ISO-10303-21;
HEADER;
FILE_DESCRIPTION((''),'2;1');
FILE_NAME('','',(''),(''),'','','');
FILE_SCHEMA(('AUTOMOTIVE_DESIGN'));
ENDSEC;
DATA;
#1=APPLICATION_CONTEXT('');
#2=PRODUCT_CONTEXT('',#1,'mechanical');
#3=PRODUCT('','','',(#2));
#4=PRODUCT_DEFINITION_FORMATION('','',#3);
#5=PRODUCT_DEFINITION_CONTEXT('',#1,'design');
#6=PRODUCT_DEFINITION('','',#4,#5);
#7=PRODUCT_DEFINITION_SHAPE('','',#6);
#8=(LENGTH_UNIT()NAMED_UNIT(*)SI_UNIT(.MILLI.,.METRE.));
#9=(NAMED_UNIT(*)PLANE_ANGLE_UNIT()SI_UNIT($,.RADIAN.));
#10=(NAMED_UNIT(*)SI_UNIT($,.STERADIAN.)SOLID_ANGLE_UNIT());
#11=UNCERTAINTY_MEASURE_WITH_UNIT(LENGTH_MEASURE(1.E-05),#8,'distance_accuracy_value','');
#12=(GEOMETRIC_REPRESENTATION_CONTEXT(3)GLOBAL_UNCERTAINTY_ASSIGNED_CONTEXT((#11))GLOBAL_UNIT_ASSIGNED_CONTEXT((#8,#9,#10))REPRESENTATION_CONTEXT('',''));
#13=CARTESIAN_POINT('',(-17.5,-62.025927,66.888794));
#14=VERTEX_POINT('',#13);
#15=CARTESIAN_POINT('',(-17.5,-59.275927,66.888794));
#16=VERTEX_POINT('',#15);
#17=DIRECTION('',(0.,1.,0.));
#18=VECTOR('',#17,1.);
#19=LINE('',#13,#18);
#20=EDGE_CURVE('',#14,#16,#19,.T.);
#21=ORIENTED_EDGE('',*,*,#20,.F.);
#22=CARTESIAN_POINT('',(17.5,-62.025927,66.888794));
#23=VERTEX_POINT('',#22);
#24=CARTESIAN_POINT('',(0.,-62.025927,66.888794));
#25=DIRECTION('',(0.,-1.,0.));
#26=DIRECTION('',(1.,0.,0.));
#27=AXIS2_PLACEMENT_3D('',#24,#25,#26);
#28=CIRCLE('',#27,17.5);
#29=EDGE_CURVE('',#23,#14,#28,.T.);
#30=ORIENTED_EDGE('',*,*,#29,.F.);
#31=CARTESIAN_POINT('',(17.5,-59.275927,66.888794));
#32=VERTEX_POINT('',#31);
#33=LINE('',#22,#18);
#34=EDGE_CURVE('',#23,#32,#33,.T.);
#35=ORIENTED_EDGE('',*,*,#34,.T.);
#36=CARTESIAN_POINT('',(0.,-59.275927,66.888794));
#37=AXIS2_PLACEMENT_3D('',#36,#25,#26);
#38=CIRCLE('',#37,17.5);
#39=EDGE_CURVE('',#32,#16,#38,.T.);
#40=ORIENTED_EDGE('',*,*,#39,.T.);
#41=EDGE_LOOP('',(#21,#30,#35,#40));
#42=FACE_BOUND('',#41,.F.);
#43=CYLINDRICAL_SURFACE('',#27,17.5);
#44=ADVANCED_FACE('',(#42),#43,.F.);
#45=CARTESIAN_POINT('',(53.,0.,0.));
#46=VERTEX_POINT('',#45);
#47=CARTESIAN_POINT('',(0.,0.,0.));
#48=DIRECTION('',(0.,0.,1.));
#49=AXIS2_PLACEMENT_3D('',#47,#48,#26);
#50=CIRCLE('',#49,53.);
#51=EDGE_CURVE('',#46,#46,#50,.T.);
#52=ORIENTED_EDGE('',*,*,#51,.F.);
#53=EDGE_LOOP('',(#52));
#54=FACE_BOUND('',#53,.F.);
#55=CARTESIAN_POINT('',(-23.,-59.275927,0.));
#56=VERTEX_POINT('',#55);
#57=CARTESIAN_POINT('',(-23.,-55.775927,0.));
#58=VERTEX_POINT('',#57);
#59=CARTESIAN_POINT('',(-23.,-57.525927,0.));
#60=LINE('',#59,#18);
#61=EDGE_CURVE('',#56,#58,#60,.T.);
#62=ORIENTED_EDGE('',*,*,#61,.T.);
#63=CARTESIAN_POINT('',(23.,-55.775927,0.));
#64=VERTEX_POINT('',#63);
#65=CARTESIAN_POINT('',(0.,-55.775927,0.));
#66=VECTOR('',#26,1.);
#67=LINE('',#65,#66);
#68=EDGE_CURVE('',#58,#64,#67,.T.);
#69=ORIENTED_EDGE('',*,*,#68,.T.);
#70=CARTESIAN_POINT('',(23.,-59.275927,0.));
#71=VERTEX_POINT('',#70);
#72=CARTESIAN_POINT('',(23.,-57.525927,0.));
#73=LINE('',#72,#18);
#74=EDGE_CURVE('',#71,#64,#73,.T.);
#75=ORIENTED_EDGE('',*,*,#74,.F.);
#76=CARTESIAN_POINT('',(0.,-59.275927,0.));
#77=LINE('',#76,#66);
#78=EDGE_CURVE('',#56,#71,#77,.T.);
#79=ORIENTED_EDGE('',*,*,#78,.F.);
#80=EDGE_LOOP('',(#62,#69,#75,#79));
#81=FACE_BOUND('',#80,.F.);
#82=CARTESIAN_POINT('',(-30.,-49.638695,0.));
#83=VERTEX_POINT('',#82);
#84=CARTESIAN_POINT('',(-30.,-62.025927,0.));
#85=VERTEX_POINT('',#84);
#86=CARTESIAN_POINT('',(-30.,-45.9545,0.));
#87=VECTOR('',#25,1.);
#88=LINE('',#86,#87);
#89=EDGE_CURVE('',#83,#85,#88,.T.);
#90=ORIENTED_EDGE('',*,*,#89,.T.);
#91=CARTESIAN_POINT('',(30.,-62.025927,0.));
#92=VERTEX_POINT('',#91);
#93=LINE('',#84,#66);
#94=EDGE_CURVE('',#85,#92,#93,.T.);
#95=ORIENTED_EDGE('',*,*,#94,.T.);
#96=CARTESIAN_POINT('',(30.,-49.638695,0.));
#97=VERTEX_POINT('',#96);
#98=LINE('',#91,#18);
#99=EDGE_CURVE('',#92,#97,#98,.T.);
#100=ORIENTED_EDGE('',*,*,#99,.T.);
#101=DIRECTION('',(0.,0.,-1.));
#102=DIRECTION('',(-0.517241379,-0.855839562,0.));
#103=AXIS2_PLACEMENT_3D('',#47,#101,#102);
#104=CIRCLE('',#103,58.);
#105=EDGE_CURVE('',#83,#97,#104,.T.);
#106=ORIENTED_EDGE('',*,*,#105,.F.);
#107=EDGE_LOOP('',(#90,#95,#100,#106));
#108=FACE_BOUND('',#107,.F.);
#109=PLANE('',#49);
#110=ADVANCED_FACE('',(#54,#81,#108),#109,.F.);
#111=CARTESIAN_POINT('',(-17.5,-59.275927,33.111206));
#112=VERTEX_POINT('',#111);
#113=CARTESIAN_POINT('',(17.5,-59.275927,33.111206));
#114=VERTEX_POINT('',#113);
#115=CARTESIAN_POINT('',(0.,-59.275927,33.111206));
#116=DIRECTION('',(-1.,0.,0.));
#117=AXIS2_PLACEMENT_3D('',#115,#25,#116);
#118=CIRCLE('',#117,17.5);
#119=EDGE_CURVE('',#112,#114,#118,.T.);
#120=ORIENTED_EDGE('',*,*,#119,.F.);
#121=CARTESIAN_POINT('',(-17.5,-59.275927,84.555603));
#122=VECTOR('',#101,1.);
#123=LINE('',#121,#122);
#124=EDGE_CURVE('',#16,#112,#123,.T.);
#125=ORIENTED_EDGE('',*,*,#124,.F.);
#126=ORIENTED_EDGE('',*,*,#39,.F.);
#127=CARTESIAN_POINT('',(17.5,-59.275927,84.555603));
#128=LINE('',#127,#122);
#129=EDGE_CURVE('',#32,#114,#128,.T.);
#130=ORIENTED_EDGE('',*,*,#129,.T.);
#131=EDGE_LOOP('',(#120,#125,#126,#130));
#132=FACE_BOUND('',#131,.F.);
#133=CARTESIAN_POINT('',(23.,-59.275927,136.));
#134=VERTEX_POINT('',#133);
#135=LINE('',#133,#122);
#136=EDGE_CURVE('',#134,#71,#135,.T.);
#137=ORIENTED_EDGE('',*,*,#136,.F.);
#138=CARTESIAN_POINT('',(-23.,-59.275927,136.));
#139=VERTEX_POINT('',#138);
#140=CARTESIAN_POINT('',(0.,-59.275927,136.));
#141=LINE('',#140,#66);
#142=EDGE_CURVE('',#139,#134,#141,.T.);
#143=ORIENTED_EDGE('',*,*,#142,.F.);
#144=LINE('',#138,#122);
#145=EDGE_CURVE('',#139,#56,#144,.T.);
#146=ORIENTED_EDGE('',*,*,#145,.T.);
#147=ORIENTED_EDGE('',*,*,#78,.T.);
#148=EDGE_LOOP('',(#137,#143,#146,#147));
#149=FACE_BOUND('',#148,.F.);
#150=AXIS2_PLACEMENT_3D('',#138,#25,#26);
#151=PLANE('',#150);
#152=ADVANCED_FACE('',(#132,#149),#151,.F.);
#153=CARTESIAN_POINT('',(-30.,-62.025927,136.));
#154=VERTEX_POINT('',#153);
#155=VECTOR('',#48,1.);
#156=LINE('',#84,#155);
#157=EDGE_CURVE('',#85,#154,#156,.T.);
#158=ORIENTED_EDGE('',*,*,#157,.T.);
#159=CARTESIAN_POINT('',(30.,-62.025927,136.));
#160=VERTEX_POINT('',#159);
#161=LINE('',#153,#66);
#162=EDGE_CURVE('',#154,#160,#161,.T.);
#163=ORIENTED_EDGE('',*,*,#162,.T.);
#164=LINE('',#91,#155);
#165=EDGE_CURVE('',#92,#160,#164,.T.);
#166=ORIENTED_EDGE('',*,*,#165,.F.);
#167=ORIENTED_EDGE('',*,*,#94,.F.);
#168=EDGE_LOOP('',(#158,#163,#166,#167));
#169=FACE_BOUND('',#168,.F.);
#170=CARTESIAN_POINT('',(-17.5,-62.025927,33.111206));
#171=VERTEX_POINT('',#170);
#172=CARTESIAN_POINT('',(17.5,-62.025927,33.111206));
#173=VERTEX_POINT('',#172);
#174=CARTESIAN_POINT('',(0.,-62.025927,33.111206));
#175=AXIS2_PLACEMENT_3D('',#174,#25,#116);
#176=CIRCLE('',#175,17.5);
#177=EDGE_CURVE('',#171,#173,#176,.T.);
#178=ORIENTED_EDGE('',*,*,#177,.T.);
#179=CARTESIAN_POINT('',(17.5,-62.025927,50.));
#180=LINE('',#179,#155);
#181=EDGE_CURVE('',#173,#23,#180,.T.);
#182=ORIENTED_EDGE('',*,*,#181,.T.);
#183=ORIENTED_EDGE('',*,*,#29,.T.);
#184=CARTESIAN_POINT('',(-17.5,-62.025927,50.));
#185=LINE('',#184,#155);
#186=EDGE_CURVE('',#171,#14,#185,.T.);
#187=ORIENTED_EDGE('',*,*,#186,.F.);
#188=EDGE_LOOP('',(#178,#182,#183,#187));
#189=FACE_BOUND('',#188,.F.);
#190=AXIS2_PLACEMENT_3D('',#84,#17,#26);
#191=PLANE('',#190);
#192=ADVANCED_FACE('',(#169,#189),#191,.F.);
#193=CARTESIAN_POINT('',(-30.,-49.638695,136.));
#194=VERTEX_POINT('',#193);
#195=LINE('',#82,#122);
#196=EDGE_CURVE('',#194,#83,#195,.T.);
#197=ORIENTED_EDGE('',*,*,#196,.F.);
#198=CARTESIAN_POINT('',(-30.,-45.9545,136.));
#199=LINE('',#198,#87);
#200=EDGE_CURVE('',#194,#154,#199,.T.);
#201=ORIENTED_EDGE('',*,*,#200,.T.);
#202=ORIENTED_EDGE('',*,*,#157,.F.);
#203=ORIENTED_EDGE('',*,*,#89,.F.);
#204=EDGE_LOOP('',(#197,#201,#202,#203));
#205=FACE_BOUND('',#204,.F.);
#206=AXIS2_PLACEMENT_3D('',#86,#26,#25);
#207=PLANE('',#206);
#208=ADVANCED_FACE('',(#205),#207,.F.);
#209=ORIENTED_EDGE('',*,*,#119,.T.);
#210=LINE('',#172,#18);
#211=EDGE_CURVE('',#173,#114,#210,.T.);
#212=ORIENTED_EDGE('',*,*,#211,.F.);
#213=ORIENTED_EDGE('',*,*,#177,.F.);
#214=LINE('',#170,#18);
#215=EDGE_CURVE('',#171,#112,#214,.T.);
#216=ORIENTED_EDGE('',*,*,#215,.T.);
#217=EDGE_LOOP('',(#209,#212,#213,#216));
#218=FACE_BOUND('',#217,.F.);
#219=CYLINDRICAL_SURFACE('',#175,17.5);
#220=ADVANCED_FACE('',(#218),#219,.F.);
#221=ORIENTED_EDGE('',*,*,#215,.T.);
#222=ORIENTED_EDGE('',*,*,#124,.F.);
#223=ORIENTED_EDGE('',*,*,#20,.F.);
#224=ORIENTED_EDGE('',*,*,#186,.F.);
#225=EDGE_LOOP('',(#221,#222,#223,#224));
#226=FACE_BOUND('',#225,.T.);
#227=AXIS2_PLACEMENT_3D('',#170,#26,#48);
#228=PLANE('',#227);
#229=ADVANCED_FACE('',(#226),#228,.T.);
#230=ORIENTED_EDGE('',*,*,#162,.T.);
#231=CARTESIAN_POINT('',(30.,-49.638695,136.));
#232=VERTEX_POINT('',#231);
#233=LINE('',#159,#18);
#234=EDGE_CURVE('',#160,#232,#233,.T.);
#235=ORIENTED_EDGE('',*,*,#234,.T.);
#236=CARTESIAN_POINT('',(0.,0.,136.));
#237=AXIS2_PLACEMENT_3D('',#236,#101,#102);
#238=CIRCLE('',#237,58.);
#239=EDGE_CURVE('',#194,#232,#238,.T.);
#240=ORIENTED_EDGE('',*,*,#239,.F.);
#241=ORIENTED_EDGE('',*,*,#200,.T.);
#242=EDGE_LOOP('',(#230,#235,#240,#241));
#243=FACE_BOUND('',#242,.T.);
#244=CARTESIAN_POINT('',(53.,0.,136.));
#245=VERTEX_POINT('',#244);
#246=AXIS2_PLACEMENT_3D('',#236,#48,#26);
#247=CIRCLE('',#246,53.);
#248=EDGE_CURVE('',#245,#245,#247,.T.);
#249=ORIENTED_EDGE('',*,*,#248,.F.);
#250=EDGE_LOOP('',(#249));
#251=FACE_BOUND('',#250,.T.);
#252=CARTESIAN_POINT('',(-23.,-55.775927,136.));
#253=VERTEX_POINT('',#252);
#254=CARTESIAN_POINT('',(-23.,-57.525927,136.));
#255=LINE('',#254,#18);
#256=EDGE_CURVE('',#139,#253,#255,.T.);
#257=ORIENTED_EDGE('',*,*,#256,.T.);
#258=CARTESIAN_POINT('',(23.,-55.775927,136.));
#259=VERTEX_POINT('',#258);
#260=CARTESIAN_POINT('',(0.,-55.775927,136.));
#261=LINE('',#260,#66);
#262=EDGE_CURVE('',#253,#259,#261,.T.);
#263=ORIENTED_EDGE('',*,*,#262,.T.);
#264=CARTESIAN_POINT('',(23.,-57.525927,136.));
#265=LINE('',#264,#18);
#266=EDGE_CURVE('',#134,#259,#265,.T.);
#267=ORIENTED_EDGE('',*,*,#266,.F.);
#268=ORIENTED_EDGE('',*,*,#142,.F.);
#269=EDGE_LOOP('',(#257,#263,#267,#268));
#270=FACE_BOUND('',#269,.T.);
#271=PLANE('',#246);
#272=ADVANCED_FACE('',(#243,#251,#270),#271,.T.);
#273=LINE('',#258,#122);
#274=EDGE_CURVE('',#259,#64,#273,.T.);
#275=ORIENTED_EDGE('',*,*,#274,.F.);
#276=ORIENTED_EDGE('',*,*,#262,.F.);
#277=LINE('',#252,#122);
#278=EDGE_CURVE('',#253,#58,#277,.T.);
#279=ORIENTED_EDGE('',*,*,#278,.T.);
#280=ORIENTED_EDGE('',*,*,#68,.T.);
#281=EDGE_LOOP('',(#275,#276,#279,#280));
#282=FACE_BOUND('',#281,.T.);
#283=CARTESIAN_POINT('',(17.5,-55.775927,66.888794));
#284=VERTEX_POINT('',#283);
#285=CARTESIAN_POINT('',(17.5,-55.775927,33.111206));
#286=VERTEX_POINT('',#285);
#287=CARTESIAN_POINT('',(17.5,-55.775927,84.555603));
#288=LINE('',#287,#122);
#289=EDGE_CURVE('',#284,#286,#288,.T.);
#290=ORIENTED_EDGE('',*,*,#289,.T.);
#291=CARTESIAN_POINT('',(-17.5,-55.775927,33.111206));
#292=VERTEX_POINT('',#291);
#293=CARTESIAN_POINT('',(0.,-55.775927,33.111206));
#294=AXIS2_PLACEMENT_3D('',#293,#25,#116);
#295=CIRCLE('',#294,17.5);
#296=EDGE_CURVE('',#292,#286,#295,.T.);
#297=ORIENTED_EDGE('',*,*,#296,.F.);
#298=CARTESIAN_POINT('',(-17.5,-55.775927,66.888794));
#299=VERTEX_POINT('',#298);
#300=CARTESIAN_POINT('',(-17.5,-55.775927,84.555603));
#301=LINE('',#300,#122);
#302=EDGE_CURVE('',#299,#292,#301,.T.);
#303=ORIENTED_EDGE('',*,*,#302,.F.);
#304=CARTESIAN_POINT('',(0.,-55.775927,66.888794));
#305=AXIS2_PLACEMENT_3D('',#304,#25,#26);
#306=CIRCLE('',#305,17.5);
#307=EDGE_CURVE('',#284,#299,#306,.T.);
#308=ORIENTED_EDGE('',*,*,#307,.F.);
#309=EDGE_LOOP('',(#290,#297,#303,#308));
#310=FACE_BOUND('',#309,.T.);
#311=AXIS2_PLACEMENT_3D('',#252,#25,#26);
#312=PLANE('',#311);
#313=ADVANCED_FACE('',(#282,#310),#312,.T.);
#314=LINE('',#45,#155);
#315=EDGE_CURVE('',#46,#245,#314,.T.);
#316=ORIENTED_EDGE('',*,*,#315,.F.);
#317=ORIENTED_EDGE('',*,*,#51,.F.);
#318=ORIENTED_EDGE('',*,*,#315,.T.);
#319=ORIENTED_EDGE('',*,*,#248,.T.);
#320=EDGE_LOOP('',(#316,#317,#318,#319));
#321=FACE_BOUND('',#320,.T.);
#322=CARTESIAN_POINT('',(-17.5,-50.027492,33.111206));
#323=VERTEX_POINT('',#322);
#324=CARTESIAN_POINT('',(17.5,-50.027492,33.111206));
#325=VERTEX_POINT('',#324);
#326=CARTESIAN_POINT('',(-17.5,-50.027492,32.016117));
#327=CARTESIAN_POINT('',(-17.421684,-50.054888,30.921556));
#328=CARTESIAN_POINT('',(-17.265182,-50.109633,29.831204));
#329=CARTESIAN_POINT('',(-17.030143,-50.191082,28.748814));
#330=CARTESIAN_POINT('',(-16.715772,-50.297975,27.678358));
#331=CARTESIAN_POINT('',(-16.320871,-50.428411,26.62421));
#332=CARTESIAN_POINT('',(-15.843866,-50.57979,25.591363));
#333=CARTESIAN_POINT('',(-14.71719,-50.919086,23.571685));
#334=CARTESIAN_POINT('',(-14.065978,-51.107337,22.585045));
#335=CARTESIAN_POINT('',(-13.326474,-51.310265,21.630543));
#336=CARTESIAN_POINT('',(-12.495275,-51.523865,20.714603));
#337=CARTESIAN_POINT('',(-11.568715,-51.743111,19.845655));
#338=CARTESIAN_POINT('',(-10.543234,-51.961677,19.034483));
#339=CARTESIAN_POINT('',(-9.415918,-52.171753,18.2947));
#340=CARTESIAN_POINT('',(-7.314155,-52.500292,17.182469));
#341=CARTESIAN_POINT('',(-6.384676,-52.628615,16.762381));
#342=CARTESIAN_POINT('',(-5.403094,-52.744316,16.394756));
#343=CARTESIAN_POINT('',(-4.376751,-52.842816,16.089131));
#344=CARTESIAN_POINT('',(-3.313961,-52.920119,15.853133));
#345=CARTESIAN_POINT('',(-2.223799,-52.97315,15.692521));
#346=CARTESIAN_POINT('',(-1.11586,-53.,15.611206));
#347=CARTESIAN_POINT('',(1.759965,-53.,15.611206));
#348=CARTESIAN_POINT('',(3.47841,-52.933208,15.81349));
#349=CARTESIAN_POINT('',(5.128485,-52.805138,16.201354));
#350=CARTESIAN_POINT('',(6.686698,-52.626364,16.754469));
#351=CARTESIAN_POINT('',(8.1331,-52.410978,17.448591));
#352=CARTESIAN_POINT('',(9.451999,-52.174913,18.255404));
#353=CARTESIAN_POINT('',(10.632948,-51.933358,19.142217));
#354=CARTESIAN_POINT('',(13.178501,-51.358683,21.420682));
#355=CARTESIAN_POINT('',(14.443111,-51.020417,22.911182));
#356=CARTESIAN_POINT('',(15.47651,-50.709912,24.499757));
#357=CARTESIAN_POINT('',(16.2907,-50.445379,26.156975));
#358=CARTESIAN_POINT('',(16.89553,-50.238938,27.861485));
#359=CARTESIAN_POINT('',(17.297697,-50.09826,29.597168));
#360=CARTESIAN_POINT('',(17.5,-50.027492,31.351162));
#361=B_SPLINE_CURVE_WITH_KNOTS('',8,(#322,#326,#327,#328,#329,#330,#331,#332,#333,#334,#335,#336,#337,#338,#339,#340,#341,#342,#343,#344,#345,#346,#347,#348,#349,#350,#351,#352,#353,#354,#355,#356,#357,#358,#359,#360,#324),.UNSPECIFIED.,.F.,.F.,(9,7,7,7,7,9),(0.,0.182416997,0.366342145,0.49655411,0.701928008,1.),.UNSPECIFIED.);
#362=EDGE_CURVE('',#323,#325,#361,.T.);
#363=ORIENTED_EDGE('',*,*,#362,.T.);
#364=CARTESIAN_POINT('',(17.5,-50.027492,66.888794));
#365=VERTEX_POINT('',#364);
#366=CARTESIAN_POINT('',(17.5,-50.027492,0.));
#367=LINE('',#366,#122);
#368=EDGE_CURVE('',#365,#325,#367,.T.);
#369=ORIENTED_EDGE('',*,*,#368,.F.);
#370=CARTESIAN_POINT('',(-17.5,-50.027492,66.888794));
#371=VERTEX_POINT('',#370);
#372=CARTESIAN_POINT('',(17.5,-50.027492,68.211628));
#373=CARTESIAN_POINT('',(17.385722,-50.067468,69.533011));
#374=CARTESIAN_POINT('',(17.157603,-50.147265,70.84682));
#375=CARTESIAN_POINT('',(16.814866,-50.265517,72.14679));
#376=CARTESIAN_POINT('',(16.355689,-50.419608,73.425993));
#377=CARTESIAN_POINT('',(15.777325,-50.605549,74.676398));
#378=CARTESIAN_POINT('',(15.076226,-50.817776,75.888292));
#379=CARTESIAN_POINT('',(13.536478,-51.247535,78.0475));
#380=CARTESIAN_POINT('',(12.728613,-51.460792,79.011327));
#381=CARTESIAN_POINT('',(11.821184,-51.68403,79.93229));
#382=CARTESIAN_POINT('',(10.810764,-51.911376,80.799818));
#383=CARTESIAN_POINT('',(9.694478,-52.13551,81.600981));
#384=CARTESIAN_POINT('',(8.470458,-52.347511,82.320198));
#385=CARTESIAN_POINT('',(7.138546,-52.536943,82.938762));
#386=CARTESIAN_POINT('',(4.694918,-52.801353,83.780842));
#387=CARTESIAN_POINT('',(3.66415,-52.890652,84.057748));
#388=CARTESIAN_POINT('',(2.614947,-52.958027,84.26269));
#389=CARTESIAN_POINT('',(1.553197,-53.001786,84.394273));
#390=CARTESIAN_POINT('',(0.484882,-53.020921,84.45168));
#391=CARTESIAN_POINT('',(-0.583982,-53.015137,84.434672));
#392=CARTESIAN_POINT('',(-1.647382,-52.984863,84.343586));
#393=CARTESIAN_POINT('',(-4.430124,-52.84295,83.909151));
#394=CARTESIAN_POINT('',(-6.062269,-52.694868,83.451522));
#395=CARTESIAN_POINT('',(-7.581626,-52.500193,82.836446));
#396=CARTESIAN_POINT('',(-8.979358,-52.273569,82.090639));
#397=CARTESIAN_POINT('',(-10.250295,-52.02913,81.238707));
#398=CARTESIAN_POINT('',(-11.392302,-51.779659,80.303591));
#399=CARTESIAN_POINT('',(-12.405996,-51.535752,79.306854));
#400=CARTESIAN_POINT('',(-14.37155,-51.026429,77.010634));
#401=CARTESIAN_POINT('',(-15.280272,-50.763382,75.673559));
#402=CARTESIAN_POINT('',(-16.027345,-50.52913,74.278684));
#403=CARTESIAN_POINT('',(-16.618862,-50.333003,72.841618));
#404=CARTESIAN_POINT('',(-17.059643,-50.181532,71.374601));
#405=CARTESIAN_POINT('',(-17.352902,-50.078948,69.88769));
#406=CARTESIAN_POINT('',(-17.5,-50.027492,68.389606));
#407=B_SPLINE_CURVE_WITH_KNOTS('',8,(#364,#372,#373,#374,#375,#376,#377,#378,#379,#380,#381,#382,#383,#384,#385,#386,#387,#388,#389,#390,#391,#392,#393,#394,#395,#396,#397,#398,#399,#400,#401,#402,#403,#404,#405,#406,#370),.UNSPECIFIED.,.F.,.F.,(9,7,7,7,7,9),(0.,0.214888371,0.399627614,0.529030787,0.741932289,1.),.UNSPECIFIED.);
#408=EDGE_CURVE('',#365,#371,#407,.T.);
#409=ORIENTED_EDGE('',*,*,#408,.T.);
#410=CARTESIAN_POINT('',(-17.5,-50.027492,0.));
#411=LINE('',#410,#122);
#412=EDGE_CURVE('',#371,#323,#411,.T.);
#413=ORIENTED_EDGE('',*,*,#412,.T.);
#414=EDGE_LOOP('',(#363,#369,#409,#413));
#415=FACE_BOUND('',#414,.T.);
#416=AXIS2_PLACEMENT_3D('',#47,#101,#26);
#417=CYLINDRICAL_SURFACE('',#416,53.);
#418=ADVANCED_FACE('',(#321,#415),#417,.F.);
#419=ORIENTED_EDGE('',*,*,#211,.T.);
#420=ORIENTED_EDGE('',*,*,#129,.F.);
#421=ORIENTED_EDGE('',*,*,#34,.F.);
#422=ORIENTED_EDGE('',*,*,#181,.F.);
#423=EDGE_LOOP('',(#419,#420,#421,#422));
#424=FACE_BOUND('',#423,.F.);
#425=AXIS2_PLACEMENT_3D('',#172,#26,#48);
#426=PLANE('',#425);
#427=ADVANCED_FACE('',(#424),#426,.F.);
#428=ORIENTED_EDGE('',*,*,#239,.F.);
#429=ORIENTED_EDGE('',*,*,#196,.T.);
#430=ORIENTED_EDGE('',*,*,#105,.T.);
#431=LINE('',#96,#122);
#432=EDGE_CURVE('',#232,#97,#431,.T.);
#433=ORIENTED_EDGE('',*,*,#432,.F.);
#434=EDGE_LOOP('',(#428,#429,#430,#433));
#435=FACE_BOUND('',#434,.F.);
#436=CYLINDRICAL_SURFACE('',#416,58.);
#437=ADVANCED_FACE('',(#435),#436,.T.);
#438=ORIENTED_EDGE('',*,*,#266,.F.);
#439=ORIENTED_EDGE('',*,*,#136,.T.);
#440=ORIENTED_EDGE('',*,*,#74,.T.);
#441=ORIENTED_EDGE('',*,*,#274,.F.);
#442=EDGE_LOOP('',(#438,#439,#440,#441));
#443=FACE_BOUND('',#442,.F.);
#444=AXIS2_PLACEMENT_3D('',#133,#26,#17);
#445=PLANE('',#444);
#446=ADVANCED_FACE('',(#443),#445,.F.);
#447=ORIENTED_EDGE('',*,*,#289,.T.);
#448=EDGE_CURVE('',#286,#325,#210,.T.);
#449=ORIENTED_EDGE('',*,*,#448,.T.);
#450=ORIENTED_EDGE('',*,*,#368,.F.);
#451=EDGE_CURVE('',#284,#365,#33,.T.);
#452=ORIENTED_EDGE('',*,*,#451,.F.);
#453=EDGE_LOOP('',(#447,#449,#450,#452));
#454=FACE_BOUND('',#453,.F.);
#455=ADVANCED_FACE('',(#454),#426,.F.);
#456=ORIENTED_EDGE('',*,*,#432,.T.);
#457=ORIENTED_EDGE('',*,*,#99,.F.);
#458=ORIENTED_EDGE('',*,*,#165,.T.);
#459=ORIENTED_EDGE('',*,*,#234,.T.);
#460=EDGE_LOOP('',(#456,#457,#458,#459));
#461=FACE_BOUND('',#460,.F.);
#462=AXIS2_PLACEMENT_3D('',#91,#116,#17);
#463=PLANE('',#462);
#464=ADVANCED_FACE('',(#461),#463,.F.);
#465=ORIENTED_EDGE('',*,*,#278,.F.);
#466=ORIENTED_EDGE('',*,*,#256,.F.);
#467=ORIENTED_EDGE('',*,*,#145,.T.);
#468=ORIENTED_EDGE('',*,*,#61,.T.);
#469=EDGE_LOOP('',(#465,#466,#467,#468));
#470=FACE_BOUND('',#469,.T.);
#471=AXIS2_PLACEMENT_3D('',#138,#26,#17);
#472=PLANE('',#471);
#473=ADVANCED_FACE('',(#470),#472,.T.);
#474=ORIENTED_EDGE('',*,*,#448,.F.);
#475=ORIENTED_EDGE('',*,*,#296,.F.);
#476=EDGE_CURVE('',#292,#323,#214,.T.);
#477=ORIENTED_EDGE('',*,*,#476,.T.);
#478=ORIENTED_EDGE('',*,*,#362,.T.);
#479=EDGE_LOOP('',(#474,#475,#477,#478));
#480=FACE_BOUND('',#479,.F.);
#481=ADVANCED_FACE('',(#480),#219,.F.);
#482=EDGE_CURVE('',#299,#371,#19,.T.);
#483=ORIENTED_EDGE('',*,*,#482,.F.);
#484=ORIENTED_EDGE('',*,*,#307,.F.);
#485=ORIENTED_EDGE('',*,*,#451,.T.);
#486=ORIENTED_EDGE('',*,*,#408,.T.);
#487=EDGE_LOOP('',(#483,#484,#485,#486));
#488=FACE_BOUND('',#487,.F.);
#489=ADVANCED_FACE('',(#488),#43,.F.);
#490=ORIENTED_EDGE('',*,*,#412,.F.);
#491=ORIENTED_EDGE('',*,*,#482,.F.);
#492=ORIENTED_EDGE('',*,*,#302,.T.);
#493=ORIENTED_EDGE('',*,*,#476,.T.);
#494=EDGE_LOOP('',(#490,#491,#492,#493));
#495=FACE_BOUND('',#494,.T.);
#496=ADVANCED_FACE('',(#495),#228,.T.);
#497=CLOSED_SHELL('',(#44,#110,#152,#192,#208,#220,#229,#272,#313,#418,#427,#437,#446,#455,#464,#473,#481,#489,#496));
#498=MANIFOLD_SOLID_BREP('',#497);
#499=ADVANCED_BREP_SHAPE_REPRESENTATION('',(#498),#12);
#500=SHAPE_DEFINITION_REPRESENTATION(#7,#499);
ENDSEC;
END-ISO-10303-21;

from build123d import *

# Parameters (mm, degrees)
F0_R     = 58
F0_R_2   = 53
F1_DEPTH = 136
F3_DEPTH = 136
F4_W     = 35
F4_H     = 33.777588
F5_DEPTH = 25
F6_W     = 46
F6_H     = 3.5
F7_DEPTH = 136


with BuildPart() as f1:
    # F0 (on Top) → F1 (new body)
    with BuildSketch(Plane.XY):
        Circle(F0_R)
        Circle(F0_R_2, mode=Mode.SUBTRACT)
    extrude(amount=F1_DEPTH)

    # F2 (on Top) → F3 (join)
    with BuildSketch(Plane.XY):
        Polygon((-8.05435, -54.732766), (-30, -45.9545), (-30, -62.025927), (30, -62.025927), (30, -47.670264), (6.974748, -54.732766), align=None)
    extrude(amount=F3_DEPTH)

    # F4 (on face) → F5 (cut)
    with BuildSketch(Plane.XZ.offset(62.025927)):
        with Locations((0, 50)):
            Rectangle(F4_W, F4_H)
        with BuildLine():
            Line((-17.5, 66.888794), (17.5, 66.888794))
            ThreePointArc((17.5, 66.888794), (0, 84.388794), (-17.5, 66.888794))
        make_face()
        with BuildLine():
            ThreePointArc((-17.5, 33.111206), (0, 15.611206), (17.5, 33.111206))
            Line((17.5, 33.111206), (-17.5, 33.111206))
        make_face()
    extrude(amount=-F5_DEPTH, mode=Mode.SUBTRACT)

    # F6 (on face) → F7 (cut)
    with BuildSketch(Plane.XY.offset(136)):
        with Locations((0, -57.525927)):
            Rectangle(F6_W, F6_H)
    extrude(amount=-F7_DEPTH, mode=Mode.SUBTRACT)


solid = f1.part
